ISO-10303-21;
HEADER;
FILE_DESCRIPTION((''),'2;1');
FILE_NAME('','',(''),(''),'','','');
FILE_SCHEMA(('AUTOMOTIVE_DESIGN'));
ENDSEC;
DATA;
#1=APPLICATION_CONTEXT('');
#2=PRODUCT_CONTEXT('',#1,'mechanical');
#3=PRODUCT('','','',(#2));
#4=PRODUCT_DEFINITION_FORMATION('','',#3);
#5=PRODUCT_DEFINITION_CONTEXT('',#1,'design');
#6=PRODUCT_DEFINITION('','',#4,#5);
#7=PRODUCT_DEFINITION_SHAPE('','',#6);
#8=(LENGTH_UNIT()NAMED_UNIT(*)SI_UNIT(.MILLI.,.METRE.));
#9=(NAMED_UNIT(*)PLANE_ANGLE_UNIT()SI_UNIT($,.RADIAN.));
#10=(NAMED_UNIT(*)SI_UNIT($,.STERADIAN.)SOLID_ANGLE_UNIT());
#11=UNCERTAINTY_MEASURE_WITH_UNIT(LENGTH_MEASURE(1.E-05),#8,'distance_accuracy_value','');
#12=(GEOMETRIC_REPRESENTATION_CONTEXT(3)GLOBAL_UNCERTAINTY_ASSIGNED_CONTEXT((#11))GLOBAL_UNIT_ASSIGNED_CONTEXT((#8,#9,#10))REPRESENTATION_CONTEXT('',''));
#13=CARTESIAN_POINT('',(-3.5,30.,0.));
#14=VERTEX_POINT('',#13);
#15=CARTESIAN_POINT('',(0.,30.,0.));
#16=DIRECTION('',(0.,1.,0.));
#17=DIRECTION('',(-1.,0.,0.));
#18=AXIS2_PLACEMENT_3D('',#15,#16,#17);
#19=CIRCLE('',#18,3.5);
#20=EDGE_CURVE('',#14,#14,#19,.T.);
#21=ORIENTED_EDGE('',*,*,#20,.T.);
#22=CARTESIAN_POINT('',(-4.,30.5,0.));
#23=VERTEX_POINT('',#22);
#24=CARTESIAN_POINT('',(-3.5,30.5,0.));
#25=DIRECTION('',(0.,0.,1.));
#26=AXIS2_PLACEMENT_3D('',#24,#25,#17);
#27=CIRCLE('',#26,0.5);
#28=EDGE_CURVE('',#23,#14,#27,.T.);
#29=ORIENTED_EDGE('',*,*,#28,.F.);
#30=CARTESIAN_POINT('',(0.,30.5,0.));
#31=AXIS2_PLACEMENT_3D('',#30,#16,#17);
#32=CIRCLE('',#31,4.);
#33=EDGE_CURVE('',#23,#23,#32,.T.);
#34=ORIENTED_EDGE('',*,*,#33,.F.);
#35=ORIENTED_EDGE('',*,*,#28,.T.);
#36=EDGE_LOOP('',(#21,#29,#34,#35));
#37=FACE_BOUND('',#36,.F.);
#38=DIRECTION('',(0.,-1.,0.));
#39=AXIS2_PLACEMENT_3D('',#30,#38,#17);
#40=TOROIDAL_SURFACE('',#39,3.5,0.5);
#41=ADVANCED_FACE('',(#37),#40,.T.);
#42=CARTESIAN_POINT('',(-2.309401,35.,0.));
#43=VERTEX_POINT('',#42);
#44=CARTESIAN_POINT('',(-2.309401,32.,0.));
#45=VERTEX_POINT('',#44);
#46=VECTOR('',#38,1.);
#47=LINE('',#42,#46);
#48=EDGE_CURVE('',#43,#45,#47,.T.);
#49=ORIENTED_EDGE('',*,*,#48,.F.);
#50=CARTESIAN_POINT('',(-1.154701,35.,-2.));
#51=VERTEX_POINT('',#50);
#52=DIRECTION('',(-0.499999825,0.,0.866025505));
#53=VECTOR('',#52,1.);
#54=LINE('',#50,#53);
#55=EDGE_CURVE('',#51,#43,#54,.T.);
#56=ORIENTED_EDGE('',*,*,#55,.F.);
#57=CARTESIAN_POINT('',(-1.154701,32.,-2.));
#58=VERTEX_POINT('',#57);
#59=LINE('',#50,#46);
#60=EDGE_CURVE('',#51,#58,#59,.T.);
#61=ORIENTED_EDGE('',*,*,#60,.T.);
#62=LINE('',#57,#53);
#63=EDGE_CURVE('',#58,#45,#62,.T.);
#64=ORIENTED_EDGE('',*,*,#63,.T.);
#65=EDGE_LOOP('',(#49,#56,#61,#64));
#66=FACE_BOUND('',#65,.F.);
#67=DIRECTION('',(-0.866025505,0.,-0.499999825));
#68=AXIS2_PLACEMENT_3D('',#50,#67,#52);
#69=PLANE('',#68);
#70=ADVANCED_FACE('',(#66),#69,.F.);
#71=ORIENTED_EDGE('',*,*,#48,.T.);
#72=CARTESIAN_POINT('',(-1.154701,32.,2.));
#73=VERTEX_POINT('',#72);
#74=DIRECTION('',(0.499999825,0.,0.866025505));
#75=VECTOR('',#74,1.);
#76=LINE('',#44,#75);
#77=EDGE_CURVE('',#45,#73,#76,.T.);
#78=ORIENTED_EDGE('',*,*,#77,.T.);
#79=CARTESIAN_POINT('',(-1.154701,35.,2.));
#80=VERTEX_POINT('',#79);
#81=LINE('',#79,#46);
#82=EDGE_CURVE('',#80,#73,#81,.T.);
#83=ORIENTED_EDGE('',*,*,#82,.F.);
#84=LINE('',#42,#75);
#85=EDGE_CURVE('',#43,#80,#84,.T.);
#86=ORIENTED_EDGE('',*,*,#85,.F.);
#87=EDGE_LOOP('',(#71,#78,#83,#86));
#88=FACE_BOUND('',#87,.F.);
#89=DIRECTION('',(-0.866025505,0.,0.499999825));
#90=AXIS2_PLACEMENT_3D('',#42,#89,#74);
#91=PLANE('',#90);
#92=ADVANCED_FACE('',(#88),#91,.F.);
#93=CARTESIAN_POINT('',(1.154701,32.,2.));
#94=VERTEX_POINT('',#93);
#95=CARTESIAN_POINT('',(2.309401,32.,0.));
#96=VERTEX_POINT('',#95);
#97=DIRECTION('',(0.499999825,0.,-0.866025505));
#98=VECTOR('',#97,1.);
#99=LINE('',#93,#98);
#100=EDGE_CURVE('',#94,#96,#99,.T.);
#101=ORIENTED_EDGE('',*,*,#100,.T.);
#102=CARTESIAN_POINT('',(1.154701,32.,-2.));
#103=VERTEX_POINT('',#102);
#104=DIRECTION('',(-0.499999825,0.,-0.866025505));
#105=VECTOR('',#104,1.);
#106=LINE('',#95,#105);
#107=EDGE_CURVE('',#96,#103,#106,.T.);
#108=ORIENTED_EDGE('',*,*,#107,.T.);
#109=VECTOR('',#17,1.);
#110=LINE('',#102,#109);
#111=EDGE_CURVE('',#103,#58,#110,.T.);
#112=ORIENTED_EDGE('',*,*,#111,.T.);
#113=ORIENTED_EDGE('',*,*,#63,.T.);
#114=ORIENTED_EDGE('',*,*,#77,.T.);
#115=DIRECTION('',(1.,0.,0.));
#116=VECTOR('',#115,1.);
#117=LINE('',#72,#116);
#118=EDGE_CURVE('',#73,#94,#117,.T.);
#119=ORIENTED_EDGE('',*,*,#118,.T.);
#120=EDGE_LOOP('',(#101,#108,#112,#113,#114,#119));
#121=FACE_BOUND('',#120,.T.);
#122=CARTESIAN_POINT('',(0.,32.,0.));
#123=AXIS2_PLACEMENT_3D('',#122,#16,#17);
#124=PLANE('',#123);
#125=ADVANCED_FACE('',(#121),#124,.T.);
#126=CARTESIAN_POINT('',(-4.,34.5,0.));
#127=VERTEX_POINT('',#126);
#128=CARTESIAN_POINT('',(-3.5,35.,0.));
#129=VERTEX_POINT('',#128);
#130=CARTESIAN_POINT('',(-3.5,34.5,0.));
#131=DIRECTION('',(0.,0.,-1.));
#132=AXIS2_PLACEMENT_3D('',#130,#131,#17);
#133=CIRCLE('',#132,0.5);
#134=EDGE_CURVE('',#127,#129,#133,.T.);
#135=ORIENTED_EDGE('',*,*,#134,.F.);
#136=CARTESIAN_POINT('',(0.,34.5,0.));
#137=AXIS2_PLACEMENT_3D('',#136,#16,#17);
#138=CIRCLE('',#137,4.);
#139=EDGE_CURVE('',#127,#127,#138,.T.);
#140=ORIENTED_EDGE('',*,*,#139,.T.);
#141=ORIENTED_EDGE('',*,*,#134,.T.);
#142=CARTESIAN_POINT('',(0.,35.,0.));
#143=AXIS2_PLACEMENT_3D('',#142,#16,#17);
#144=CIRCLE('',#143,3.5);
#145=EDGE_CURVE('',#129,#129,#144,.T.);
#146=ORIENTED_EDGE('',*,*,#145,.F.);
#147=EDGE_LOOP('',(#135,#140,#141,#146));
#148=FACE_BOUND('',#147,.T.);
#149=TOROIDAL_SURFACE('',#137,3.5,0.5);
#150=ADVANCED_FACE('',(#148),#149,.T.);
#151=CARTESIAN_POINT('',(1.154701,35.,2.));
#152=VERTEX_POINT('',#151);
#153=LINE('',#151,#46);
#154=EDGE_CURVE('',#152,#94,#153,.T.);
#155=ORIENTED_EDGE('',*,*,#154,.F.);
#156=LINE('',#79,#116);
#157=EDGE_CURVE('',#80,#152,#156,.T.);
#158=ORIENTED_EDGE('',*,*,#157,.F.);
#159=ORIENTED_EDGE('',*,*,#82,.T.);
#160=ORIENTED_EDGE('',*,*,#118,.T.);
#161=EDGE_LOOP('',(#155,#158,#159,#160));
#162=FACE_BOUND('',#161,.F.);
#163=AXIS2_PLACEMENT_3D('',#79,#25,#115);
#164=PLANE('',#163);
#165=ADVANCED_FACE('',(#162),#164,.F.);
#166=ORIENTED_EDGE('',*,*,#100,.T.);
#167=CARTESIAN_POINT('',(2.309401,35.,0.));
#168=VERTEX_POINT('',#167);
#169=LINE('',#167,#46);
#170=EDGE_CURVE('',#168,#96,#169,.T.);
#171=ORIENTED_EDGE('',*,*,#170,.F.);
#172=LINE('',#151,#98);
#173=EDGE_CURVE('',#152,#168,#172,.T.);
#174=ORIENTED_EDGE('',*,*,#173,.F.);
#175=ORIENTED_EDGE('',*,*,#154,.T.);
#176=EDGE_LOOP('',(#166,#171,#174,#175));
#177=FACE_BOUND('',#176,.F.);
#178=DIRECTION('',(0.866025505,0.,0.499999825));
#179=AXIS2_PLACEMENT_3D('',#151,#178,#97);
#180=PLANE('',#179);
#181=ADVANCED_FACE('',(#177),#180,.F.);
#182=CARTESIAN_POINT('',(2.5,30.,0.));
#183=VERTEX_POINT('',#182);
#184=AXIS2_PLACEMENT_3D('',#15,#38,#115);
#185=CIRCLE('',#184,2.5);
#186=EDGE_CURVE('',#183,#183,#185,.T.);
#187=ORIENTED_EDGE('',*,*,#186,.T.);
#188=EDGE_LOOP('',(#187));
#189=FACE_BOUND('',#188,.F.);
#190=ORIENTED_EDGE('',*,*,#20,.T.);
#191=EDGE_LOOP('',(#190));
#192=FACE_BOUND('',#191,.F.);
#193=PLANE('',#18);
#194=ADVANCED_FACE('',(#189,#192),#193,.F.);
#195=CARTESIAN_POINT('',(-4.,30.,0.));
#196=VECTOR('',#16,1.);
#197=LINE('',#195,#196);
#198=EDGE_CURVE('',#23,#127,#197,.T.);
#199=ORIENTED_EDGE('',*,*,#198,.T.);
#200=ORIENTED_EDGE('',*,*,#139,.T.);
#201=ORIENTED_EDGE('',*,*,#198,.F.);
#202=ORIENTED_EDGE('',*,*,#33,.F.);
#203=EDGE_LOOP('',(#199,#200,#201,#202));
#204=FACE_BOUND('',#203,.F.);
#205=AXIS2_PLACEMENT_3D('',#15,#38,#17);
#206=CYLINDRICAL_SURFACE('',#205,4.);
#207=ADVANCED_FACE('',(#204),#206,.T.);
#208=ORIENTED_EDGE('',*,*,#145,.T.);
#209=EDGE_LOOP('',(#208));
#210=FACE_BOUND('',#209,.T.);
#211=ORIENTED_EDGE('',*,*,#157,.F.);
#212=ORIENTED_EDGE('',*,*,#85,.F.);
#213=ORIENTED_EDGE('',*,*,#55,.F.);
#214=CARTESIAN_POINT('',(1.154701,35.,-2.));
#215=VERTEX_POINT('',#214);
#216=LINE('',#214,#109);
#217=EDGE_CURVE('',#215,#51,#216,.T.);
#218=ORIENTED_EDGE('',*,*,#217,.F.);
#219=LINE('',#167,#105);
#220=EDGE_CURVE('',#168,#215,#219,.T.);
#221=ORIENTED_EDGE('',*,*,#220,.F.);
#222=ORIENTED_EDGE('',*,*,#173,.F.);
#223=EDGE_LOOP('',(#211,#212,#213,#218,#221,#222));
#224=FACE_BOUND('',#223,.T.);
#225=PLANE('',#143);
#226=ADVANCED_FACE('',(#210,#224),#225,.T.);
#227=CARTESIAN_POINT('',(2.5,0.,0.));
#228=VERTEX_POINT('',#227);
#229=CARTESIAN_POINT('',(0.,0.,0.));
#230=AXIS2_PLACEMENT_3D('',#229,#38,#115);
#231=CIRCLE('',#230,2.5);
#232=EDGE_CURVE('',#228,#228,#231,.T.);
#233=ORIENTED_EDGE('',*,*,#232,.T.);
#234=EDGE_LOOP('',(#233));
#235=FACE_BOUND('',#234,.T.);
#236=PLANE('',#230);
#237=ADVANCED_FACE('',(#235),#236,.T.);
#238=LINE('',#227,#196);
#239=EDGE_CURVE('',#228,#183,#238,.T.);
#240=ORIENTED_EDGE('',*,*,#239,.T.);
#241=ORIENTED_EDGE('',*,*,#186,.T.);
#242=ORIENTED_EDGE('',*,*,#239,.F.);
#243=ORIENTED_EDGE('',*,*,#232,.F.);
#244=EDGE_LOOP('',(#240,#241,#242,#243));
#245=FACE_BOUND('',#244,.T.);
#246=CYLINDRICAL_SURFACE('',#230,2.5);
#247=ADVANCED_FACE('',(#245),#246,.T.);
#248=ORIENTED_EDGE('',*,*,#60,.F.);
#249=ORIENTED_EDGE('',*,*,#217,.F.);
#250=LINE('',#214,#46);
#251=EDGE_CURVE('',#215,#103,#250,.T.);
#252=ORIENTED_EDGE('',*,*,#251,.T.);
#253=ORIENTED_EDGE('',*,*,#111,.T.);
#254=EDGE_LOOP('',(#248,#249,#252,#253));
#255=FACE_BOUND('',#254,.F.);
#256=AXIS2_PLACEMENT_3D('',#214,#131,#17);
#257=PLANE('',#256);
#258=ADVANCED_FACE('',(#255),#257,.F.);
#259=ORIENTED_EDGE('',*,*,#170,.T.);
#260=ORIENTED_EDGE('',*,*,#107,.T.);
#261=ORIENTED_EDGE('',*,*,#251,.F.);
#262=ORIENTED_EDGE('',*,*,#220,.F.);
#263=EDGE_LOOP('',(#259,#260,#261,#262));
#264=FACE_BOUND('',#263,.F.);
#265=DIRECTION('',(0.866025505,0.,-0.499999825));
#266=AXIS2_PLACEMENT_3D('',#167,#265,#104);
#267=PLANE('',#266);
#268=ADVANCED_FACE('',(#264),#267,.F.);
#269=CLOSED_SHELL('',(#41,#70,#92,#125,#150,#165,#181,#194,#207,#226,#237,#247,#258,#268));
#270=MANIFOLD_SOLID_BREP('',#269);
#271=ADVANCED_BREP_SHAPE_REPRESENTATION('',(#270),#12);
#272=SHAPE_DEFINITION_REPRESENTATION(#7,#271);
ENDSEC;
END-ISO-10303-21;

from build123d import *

# Parameters (mm, degrees)
F0_R     = 2.5
F1_DEPTH = 30
F2_R     = 4
F3_DEPTH = 5
F4_R     = 0.5
F6_DEPTH = 3


with BuildPart() as f1:
    # F0 (on Front) → F1 (new body)
    with BuildSketch(Plane.XZ):
        Circle(F0_R)
    extrude(amount=-F1_DEPTH)

    # F2 (on face) → F3 (join)
    with BuildSketch(Plane(origin=(0, 30, 0), x_dir=(-1, 0, 0), z_dir=(0, 1, 0))):
        Circle(F2_R)
    extrude(amount=F3_DEPTH)

    # F4
    f4_edges = [f1.edges().sort_by_distance(p)[0] for p in [
        (4, 30, 0),
        (4, 35, 0),
    ]]
    fillet(f4_edges, radius=F4_R)

    # F5 (on face) → F6 (cut)
    with BuildSketch(Plane(origin=(0, 35, 0), x_dir=(-1, 0, 0), z_dir=(0, 1, 0))):
        Polygon((1.154701, 2), (-1.154701, 2), (-2.309401, 0), (-1.154701, -2), (1.154701, -2), (2.309401, 0), align=None)
    extrude(amount=-F6_DEPTH, mode=Mode.SUBTRACT)


solid = f1.part
